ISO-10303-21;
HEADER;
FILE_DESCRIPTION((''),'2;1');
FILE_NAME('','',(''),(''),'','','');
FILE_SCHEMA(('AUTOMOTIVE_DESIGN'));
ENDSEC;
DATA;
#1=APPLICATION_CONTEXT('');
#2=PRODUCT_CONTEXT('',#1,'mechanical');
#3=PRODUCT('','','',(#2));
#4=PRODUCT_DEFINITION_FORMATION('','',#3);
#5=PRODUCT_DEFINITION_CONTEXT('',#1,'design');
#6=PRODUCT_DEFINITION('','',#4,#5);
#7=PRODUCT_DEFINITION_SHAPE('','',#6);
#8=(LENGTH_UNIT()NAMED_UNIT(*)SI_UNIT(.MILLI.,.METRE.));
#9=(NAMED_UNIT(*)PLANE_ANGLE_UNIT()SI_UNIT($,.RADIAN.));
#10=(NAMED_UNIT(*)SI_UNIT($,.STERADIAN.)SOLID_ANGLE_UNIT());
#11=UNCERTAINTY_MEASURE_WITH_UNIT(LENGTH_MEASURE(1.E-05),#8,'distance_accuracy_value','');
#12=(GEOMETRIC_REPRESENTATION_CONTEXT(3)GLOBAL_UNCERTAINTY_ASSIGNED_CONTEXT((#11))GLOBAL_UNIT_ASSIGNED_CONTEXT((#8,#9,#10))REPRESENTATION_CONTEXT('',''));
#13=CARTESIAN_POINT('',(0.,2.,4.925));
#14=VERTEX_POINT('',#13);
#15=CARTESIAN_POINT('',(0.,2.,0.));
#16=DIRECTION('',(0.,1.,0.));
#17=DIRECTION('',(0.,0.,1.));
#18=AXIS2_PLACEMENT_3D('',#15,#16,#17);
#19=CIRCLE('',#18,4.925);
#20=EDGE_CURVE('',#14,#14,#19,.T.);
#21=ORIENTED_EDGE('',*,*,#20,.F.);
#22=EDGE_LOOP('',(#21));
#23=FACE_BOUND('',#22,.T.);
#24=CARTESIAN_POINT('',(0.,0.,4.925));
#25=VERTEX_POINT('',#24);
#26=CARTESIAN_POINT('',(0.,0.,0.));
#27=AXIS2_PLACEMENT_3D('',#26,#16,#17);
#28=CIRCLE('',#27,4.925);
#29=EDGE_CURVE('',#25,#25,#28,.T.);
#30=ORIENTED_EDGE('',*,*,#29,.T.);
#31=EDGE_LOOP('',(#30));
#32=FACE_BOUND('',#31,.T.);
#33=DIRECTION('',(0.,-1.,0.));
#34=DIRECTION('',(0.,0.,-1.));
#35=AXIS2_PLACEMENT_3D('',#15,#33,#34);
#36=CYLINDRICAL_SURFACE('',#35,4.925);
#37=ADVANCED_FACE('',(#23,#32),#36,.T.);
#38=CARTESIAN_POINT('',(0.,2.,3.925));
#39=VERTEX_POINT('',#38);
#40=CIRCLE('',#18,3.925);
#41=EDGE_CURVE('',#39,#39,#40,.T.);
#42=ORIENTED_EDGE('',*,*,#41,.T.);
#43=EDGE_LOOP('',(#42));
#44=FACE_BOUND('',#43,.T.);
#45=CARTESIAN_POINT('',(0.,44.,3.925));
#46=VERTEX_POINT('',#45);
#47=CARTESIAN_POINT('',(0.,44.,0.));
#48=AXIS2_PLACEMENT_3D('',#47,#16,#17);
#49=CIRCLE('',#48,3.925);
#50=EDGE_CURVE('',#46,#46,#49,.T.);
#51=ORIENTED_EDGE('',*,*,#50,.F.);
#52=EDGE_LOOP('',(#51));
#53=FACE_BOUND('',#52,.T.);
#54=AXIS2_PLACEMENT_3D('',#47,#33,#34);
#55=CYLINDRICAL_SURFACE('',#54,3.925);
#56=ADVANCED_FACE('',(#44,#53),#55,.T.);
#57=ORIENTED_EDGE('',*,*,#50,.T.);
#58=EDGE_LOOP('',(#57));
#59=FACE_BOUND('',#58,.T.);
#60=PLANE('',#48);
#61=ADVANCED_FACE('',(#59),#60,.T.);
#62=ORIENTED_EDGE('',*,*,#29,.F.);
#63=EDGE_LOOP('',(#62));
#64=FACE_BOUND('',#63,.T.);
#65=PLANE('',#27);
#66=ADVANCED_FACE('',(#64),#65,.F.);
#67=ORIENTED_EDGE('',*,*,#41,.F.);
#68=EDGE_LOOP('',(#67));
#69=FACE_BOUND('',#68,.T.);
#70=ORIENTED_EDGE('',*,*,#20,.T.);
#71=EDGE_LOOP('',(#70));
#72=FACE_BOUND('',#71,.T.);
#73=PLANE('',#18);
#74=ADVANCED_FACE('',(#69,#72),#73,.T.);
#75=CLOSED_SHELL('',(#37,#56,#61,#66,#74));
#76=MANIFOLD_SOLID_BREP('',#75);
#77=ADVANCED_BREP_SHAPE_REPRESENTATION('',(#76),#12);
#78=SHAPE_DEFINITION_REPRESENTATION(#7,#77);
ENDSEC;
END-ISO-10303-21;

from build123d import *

# Parameters (mm, degrees)
SKIZZE1_R                       = 4.925
AUFSATZ_LINEAR_AUSTRAGEN1_DEPTH = 2
SKIZZE2_R                       = 3.925
AUFSATZ_LINEAR_AUSTRAGEN2_DEPTH = 42


with BuildPart() as part:
    # Skizze1 → Aufsatz-Linear austragen1 (new body)
    with BuildSketch(Plane(origin=(0, 0, 0), x_dir=(1, 0, 0), z_dir=(0, 1, 0))):
        with Locations(Location((0, 0, 0), (0, 0, 270))):
            Circle(SKIZZE1_R)
    extrude(amount=AUFSATZ_LINEAR_AUSTRAGEN1_DEPTH)

    # Skizze2 → Aufsatz-Linear austragen2 (add)
    with BuildSketch(Plane(origin=(0, 2, 0), x_dir=(1, 0, 0), z_dir=(0, 1, 0))):
        with Locations(Location((0, 0, 0), (0, 0, 270))):
            Circle(SKIZZE2_R)
    extrude(amount=AUFSATZ_LINEAR_AUSTRAGEN2_DEPTH)


solid = part.part
